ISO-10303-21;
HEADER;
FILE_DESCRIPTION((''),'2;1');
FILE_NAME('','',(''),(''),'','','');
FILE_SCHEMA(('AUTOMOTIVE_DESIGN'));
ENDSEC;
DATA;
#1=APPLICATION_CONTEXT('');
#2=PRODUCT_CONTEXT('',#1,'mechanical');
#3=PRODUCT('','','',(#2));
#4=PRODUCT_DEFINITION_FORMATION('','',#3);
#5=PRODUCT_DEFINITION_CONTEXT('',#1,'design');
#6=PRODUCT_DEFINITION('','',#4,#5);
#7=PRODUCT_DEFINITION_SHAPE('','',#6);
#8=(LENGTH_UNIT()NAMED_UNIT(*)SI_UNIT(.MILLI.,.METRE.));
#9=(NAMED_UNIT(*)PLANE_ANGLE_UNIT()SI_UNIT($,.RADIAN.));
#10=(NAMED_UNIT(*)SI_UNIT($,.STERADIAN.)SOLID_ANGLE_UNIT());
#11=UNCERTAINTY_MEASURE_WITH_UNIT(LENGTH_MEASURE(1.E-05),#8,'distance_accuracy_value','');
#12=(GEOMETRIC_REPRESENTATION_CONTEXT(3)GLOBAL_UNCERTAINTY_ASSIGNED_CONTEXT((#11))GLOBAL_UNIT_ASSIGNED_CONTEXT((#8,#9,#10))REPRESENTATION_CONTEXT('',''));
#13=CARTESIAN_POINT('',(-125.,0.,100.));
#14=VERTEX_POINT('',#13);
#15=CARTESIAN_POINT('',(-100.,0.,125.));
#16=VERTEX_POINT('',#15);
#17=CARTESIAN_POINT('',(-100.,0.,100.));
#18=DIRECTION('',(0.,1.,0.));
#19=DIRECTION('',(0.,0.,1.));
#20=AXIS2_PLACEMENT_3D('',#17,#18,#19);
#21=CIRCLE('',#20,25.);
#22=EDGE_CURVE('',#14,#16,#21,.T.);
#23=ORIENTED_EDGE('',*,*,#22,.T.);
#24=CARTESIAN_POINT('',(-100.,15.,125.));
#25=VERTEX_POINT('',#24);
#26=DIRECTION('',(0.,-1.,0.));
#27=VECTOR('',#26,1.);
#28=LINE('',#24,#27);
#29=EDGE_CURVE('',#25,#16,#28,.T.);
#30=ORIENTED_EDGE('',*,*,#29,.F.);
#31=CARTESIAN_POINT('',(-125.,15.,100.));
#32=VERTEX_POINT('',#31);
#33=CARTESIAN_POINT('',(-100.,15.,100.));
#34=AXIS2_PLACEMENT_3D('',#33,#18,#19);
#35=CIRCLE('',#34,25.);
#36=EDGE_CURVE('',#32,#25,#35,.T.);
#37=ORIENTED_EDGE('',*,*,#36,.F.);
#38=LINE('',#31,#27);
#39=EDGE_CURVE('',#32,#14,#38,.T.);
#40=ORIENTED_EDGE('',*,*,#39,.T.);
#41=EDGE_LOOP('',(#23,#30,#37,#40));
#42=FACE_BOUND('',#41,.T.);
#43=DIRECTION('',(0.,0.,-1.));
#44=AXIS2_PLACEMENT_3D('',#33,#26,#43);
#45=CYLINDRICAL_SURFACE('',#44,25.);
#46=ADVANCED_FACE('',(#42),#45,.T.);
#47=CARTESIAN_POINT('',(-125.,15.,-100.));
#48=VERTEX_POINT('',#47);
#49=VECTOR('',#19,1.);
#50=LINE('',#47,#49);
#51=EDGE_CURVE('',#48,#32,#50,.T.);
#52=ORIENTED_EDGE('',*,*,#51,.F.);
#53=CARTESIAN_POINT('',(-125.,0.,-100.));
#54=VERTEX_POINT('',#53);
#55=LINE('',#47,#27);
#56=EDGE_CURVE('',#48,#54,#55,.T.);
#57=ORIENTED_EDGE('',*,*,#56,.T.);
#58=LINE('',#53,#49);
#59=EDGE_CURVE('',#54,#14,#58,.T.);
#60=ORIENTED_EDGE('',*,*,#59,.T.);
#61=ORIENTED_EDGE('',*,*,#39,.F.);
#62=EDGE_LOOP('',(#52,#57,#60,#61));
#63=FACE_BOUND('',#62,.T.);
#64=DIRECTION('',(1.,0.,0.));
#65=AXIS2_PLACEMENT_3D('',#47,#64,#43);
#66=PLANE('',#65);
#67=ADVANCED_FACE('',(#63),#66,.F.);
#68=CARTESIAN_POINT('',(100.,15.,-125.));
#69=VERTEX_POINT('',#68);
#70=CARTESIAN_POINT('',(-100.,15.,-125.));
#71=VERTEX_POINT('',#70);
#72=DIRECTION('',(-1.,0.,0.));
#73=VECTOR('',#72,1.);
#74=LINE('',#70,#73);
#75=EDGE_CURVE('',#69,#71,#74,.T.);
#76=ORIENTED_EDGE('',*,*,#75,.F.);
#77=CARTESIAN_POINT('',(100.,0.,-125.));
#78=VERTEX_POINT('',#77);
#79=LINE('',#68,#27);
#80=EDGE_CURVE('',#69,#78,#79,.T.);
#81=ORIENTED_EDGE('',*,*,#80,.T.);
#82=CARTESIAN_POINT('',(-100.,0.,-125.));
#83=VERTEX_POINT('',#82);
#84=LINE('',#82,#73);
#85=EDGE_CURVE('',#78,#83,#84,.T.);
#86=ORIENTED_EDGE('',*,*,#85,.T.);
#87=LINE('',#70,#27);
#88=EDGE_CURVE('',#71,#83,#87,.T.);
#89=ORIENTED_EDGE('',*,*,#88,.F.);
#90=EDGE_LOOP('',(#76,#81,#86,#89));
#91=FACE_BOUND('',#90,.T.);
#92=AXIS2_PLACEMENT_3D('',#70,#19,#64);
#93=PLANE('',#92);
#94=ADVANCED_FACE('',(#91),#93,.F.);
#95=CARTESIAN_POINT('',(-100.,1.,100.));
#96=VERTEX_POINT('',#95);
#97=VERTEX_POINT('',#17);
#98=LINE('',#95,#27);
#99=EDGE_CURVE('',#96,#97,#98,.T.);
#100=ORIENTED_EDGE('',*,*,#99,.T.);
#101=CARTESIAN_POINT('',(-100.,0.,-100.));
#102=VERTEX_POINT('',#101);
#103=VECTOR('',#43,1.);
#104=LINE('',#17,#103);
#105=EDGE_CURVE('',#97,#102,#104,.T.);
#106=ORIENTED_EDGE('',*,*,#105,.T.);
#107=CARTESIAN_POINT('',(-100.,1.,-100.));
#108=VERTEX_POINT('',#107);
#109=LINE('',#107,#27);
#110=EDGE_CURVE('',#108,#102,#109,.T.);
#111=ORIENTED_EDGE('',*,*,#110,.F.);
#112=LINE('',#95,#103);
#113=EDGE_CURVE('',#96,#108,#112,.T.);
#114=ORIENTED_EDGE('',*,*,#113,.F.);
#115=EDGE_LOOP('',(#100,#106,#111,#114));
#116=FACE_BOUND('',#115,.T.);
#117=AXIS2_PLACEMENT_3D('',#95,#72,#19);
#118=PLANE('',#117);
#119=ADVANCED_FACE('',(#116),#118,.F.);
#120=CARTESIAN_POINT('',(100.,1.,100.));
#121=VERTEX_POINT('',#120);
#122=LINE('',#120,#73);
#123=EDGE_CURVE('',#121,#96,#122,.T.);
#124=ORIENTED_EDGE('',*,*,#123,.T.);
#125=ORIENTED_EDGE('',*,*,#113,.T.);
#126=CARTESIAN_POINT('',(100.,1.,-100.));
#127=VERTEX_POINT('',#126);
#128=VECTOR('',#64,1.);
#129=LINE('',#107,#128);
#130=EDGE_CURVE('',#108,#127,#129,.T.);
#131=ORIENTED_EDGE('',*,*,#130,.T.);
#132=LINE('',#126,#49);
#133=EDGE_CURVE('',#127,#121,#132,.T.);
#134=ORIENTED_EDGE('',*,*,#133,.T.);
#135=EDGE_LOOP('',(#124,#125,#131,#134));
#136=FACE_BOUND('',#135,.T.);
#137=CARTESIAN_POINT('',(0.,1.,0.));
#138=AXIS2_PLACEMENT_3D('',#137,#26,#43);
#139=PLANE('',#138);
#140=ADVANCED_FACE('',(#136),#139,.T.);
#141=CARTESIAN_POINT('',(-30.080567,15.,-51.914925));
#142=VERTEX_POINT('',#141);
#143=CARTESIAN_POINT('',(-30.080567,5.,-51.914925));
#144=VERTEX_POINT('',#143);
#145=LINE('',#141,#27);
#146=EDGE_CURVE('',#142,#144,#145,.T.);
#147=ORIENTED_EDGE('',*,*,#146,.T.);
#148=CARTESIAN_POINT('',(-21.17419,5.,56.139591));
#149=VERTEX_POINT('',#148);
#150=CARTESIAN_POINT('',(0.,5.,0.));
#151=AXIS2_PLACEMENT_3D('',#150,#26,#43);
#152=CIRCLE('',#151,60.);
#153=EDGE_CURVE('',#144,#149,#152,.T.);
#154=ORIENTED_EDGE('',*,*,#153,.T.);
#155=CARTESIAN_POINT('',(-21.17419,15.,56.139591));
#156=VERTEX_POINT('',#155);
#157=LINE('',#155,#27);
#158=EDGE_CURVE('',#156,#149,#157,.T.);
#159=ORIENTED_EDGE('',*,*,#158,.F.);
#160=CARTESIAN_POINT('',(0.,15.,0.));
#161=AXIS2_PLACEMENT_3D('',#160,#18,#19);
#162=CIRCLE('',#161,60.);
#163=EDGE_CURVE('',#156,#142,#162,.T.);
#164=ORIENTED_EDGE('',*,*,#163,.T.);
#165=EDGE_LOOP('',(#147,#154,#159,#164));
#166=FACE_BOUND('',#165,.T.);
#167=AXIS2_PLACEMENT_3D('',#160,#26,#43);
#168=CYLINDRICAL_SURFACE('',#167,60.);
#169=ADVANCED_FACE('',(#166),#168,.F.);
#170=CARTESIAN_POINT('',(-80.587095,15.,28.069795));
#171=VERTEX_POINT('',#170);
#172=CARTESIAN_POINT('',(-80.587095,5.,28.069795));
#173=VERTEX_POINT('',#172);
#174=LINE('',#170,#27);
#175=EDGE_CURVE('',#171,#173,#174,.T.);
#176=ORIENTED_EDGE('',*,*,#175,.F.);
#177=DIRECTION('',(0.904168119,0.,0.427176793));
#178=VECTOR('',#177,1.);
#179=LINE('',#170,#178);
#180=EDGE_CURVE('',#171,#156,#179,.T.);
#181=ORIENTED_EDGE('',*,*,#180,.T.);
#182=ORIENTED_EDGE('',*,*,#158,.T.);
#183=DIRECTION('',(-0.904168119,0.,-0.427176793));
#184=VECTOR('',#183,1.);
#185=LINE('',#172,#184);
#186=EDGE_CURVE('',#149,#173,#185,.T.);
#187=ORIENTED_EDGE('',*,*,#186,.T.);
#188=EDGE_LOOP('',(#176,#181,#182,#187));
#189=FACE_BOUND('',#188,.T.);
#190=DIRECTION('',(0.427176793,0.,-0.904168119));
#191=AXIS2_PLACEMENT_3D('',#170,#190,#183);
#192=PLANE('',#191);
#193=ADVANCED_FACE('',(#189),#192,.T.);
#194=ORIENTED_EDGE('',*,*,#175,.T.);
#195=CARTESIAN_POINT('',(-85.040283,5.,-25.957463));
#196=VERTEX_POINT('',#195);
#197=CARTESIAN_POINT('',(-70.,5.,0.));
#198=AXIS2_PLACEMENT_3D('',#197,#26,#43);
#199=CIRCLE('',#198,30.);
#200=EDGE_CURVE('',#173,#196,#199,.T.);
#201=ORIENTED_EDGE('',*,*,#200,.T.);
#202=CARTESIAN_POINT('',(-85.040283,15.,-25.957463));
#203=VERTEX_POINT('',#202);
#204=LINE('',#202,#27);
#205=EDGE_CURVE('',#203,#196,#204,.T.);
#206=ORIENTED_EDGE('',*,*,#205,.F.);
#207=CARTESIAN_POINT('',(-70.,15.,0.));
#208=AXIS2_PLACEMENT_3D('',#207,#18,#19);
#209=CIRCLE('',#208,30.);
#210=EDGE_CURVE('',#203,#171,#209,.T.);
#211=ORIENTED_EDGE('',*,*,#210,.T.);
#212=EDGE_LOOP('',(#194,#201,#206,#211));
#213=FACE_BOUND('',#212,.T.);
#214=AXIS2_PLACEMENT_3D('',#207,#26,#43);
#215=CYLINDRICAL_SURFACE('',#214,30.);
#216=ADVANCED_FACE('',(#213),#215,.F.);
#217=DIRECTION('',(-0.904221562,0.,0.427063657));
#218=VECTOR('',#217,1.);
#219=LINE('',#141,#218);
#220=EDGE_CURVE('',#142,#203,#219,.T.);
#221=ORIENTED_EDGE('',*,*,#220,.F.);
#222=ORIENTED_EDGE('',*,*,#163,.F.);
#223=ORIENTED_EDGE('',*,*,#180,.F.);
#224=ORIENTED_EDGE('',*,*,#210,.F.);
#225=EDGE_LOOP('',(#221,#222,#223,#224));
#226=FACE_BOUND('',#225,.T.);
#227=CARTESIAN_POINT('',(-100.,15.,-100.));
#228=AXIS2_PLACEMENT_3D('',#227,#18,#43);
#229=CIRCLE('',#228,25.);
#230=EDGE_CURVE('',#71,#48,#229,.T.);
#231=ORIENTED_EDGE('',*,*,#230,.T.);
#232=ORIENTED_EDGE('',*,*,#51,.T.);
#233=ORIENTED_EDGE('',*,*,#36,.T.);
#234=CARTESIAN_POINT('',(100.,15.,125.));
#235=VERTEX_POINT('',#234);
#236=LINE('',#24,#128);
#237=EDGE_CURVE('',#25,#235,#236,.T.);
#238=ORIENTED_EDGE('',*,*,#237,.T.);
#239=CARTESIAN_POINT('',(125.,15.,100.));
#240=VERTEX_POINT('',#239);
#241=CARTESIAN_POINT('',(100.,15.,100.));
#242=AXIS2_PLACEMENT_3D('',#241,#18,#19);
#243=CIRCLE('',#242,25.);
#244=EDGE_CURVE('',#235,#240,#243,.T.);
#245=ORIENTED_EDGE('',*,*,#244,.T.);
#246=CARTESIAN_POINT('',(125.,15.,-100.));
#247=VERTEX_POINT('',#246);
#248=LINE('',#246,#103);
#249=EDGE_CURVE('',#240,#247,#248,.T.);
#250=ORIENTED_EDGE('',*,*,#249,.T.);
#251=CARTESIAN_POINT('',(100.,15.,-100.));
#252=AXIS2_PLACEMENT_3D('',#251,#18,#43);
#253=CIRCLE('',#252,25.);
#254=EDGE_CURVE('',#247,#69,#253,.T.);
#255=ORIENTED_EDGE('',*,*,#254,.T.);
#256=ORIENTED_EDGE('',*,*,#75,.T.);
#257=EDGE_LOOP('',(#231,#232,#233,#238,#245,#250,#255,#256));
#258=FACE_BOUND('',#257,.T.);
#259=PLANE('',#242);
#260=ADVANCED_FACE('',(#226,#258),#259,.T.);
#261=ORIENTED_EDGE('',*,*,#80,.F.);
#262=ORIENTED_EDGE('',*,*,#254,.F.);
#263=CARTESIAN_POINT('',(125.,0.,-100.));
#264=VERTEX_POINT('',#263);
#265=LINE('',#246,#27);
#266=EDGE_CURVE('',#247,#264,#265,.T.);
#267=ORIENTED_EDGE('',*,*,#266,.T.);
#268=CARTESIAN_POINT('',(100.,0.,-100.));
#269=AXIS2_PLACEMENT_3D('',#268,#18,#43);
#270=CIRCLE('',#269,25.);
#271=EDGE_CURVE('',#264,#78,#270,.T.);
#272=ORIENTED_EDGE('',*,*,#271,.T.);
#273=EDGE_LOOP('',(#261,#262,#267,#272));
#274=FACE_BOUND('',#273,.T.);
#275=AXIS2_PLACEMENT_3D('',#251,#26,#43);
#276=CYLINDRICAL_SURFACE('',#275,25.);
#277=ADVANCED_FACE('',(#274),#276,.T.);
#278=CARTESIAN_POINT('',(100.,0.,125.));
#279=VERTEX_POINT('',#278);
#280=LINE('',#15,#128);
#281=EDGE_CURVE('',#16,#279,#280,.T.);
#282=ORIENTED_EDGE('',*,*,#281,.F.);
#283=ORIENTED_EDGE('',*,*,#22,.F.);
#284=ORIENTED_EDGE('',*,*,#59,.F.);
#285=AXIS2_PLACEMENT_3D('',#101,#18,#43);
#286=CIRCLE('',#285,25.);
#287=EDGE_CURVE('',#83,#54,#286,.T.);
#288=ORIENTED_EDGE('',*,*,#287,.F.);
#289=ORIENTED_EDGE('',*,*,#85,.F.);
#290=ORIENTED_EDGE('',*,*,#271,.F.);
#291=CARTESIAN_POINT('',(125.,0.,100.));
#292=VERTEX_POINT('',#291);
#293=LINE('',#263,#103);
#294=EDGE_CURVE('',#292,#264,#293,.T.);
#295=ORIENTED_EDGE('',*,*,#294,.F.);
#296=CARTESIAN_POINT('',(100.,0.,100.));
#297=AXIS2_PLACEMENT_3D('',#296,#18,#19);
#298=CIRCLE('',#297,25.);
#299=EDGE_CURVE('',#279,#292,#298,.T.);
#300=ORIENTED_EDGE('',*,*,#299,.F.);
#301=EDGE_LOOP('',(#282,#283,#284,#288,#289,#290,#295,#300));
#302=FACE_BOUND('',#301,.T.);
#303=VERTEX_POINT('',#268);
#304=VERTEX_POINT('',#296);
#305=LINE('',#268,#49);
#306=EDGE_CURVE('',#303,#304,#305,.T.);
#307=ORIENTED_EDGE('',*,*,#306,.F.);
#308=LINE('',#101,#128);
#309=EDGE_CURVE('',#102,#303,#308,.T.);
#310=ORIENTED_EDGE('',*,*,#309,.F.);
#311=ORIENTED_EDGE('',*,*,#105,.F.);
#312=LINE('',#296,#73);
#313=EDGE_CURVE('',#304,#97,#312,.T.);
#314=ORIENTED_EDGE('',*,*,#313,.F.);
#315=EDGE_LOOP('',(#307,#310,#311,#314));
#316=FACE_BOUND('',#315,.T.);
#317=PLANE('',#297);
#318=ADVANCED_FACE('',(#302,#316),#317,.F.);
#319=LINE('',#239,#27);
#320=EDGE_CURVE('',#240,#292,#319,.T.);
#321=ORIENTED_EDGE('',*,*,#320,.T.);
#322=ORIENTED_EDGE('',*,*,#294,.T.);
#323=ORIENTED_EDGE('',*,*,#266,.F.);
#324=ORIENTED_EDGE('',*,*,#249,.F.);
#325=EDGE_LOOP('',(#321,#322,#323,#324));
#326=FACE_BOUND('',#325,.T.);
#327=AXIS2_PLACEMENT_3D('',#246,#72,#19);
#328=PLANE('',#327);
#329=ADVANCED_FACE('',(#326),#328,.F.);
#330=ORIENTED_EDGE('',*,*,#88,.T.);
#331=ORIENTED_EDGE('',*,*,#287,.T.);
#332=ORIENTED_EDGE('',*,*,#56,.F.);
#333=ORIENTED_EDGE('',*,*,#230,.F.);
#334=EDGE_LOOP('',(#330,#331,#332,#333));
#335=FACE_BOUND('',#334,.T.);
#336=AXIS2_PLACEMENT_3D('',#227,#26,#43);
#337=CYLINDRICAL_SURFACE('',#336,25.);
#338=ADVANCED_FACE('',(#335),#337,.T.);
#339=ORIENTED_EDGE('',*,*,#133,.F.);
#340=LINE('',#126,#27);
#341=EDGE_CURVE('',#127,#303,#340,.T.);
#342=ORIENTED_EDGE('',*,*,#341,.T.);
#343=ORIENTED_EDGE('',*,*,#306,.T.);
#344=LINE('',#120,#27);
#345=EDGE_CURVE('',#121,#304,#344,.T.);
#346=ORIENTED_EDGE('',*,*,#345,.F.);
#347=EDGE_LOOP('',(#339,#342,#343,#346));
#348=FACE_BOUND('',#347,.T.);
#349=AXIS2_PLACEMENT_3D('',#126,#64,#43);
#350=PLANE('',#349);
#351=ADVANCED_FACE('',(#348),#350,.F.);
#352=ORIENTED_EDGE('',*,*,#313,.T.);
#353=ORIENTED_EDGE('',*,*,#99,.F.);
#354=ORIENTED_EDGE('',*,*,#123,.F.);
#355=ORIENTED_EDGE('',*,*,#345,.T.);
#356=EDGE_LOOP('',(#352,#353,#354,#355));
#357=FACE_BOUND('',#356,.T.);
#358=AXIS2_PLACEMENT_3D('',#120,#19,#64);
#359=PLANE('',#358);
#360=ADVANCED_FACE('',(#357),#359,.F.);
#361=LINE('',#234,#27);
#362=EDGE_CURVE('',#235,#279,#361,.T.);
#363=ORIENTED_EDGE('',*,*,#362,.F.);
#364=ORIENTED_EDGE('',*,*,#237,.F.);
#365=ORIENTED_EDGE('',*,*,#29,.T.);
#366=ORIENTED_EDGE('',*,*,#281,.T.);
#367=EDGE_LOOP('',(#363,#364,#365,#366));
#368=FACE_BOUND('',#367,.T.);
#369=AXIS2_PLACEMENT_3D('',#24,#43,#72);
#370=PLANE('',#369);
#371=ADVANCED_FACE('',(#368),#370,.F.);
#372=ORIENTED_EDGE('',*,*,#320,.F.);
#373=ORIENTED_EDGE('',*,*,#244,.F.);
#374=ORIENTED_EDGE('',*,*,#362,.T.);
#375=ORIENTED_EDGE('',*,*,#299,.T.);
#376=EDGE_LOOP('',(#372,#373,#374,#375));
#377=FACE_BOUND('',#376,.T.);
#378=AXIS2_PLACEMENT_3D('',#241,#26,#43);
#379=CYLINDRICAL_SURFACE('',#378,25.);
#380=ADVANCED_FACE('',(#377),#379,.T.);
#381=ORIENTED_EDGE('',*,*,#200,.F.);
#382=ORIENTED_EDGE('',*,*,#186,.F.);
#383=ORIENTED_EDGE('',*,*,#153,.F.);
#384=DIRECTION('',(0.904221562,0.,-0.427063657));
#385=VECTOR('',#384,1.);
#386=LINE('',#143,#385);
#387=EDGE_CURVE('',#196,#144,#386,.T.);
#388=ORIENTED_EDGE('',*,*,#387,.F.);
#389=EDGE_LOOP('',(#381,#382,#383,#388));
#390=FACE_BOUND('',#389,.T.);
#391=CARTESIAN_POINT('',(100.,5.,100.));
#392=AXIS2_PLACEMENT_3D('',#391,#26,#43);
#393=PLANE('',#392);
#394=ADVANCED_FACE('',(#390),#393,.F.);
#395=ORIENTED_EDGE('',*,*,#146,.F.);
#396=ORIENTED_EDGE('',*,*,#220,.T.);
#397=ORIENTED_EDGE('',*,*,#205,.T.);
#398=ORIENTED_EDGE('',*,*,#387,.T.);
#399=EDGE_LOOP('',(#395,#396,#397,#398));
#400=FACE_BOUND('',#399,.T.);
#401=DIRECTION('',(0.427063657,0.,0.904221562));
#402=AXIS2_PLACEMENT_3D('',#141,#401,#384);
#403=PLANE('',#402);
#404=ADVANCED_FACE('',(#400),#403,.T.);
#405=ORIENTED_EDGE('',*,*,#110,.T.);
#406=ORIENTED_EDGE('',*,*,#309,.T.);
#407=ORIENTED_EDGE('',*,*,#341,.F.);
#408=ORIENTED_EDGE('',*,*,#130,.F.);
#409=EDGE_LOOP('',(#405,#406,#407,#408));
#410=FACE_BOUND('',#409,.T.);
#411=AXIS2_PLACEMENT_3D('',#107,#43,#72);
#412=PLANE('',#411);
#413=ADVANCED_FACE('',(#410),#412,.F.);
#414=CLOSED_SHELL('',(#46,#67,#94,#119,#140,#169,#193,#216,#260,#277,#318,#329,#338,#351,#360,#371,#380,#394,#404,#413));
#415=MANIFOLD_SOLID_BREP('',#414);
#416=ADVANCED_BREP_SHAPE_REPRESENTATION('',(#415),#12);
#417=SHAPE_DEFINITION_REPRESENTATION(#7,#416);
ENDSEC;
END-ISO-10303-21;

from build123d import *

# Parameters (mm, degrees)
BOSS_EXTRUDE1_DEPTH = 15
BOSS_EXTRUDE2_DEPTH = 5
SKETCH4_W           = 200
SKETCH4_H           = 200
CUT_EXTRUDE1_DEPTH  = 1


with BuildPart() as part:
    # Sketch1 → Boss-Extrude1 (new body)
    with BuildSketch(Plane(origin=(0, 0, 0), x_dir=(1, 0, 0), z_dir=(0, 1, 0))):
        with BuildLine():
            Line((-100, 125), (100, 125))
            ThreePointArc((100, 125), (117.67766953, 117.67766953), (125, 100))
            Line((125, 100), (125, -100))
            ThreePointArc((125, -100), (117.67766953, -117.67766953), (100, -125))
            Line((100, -125), (-100, -125))
            ThreePointArc((-100, -125), (-117.67766953, -117.67766953), (-125, -100))
            Line((-125, -100), (-125, 100))
            ThreePointArc((-125, 100), (-117.67766953, 117.67766953), (-100, 125))
        make_face()
        with BuildLine():
            Line((-30.080566992, 51.914925498), (-85.040283496, 25.957462749))
            ThreePointArc((-85.040283496, 25.957462749), (-99.898608517, -2.464388108), (-80.587095233, -28.069795413))
            Line((-80.587095233, -28.069795413), (-21.174190466, -56.139590826))
            ThreePointArc((-21.174190466, -56.139590826), (59.797217034, 4.928776216), (-30.080566992, 51.914925498))
        make_face(mode=Mode.SUBTRACT)
    extrude(amount=BOSS_EXTRUDE1_DEPTH)

    # Sketch2 → Boss-Extrude2 (add)
    with BuildSketch(Plane.XZ):
        with BuildLine():
            Line((100, 125), (-100, 125))
            ThreePointArc((-100, 125), (-117.67766953, 117.67766953), (-125, 100))
            Line((-125, 100), (-125, -100))
            ThreePointArc((-125, -100), (-117.67766953, -117.67766953), (-100, -125))
            Line((-100, -125), (100, -125))
            ThreePointArc((100, -125), (117.67766953, -117.67766953), (125, -100))
            Line((125, -100), (125, 100))
            ThreePointArc((125, 100), (117.67766953, 117.67766953), (100, 125))
        make_face()
    extrude(amount=-BOSS_EXTRUDE2_DEPTH)

    # Sketch4 → Cut-Extrude1 (cut)
    with BuildSketch(Plane.XZ):
        Rectangle(SKETCH4_W, SKETCH4_H)
    extrude(amount=-CUT_EXTRUDE1_DEPTH, mode=Mode.SUBTRACT)


solid = part.part
